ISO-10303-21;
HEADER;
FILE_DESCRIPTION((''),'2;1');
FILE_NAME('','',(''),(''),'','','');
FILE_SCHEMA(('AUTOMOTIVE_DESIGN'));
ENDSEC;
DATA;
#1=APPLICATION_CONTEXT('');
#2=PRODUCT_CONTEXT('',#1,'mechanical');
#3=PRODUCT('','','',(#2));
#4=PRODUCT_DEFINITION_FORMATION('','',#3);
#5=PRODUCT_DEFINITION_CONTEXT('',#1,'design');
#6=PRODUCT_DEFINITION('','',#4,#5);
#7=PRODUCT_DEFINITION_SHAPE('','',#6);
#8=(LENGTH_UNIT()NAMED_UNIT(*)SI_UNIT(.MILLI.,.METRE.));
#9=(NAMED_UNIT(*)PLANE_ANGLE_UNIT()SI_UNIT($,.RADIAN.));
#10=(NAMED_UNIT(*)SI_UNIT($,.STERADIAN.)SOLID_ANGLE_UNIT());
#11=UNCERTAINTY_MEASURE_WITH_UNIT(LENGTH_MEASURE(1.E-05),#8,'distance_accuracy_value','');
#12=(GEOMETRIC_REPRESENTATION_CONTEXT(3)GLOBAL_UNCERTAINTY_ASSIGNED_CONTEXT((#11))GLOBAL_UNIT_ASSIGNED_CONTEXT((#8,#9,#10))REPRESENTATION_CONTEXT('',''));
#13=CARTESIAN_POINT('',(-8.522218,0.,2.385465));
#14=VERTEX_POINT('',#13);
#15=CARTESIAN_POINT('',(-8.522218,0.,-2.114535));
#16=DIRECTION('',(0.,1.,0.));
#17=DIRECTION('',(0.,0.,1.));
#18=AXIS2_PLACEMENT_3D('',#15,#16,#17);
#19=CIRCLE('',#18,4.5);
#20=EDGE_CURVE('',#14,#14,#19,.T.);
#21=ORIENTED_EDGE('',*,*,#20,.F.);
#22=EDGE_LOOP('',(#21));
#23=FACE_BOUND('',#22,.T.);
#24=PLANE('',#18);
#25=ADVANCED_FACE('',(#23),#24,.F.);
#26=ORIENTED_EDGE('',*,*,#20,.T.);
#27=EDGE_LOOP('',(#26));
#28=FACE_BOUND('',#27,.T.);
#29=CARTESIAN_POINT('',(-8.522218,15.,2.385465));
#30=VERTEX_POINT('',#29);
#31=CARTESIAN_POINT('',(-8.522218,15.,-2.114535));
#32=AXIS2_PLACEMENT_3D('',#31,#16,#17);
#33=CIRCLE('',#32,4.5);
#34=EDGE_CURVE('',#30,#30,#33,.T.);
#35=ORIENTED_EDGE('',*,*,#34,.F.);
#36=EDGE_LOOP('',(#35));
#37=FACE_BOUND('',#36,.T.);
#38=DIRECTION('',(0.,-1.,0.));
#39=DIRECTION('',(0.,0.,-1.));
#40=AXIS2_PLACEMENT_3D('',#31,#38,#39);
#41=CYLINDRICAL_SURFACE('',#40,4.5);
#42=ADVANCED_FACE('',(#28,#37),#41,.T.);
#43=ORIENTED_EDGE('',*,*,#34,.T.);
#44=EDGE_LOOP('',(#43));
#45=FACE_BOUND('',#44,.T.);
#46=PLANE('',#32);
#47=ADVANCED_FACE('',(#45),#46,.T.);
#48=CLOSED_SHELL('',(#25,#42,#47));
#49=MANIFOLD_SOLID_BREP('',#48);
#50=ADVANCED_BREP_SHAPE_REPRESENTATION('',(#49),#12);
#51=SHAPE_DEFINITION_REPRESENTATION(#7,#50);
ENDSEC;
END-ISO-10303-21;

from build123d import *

# Parameters (mm, degrees)
SKETCH_1_R      = 4.5
EXTRUDE_2_DEPTH = 15


with BuildPart() as part:
    # 草图1 → 凸台-拉伸2 (new body)
    with BuildSketch(Plane(origin=(0, 0, 0), x_dir=(1, 0, 0), z_dir=(0, 1, 0))):
        with Locations(Location((-8.522217636, 2.114535203, 0), (0, 0, 270))):
            Circle(SKETCH_1_R)
    extrude(amount=EXTRUDE_2_DEPTH)


solid = part.part
